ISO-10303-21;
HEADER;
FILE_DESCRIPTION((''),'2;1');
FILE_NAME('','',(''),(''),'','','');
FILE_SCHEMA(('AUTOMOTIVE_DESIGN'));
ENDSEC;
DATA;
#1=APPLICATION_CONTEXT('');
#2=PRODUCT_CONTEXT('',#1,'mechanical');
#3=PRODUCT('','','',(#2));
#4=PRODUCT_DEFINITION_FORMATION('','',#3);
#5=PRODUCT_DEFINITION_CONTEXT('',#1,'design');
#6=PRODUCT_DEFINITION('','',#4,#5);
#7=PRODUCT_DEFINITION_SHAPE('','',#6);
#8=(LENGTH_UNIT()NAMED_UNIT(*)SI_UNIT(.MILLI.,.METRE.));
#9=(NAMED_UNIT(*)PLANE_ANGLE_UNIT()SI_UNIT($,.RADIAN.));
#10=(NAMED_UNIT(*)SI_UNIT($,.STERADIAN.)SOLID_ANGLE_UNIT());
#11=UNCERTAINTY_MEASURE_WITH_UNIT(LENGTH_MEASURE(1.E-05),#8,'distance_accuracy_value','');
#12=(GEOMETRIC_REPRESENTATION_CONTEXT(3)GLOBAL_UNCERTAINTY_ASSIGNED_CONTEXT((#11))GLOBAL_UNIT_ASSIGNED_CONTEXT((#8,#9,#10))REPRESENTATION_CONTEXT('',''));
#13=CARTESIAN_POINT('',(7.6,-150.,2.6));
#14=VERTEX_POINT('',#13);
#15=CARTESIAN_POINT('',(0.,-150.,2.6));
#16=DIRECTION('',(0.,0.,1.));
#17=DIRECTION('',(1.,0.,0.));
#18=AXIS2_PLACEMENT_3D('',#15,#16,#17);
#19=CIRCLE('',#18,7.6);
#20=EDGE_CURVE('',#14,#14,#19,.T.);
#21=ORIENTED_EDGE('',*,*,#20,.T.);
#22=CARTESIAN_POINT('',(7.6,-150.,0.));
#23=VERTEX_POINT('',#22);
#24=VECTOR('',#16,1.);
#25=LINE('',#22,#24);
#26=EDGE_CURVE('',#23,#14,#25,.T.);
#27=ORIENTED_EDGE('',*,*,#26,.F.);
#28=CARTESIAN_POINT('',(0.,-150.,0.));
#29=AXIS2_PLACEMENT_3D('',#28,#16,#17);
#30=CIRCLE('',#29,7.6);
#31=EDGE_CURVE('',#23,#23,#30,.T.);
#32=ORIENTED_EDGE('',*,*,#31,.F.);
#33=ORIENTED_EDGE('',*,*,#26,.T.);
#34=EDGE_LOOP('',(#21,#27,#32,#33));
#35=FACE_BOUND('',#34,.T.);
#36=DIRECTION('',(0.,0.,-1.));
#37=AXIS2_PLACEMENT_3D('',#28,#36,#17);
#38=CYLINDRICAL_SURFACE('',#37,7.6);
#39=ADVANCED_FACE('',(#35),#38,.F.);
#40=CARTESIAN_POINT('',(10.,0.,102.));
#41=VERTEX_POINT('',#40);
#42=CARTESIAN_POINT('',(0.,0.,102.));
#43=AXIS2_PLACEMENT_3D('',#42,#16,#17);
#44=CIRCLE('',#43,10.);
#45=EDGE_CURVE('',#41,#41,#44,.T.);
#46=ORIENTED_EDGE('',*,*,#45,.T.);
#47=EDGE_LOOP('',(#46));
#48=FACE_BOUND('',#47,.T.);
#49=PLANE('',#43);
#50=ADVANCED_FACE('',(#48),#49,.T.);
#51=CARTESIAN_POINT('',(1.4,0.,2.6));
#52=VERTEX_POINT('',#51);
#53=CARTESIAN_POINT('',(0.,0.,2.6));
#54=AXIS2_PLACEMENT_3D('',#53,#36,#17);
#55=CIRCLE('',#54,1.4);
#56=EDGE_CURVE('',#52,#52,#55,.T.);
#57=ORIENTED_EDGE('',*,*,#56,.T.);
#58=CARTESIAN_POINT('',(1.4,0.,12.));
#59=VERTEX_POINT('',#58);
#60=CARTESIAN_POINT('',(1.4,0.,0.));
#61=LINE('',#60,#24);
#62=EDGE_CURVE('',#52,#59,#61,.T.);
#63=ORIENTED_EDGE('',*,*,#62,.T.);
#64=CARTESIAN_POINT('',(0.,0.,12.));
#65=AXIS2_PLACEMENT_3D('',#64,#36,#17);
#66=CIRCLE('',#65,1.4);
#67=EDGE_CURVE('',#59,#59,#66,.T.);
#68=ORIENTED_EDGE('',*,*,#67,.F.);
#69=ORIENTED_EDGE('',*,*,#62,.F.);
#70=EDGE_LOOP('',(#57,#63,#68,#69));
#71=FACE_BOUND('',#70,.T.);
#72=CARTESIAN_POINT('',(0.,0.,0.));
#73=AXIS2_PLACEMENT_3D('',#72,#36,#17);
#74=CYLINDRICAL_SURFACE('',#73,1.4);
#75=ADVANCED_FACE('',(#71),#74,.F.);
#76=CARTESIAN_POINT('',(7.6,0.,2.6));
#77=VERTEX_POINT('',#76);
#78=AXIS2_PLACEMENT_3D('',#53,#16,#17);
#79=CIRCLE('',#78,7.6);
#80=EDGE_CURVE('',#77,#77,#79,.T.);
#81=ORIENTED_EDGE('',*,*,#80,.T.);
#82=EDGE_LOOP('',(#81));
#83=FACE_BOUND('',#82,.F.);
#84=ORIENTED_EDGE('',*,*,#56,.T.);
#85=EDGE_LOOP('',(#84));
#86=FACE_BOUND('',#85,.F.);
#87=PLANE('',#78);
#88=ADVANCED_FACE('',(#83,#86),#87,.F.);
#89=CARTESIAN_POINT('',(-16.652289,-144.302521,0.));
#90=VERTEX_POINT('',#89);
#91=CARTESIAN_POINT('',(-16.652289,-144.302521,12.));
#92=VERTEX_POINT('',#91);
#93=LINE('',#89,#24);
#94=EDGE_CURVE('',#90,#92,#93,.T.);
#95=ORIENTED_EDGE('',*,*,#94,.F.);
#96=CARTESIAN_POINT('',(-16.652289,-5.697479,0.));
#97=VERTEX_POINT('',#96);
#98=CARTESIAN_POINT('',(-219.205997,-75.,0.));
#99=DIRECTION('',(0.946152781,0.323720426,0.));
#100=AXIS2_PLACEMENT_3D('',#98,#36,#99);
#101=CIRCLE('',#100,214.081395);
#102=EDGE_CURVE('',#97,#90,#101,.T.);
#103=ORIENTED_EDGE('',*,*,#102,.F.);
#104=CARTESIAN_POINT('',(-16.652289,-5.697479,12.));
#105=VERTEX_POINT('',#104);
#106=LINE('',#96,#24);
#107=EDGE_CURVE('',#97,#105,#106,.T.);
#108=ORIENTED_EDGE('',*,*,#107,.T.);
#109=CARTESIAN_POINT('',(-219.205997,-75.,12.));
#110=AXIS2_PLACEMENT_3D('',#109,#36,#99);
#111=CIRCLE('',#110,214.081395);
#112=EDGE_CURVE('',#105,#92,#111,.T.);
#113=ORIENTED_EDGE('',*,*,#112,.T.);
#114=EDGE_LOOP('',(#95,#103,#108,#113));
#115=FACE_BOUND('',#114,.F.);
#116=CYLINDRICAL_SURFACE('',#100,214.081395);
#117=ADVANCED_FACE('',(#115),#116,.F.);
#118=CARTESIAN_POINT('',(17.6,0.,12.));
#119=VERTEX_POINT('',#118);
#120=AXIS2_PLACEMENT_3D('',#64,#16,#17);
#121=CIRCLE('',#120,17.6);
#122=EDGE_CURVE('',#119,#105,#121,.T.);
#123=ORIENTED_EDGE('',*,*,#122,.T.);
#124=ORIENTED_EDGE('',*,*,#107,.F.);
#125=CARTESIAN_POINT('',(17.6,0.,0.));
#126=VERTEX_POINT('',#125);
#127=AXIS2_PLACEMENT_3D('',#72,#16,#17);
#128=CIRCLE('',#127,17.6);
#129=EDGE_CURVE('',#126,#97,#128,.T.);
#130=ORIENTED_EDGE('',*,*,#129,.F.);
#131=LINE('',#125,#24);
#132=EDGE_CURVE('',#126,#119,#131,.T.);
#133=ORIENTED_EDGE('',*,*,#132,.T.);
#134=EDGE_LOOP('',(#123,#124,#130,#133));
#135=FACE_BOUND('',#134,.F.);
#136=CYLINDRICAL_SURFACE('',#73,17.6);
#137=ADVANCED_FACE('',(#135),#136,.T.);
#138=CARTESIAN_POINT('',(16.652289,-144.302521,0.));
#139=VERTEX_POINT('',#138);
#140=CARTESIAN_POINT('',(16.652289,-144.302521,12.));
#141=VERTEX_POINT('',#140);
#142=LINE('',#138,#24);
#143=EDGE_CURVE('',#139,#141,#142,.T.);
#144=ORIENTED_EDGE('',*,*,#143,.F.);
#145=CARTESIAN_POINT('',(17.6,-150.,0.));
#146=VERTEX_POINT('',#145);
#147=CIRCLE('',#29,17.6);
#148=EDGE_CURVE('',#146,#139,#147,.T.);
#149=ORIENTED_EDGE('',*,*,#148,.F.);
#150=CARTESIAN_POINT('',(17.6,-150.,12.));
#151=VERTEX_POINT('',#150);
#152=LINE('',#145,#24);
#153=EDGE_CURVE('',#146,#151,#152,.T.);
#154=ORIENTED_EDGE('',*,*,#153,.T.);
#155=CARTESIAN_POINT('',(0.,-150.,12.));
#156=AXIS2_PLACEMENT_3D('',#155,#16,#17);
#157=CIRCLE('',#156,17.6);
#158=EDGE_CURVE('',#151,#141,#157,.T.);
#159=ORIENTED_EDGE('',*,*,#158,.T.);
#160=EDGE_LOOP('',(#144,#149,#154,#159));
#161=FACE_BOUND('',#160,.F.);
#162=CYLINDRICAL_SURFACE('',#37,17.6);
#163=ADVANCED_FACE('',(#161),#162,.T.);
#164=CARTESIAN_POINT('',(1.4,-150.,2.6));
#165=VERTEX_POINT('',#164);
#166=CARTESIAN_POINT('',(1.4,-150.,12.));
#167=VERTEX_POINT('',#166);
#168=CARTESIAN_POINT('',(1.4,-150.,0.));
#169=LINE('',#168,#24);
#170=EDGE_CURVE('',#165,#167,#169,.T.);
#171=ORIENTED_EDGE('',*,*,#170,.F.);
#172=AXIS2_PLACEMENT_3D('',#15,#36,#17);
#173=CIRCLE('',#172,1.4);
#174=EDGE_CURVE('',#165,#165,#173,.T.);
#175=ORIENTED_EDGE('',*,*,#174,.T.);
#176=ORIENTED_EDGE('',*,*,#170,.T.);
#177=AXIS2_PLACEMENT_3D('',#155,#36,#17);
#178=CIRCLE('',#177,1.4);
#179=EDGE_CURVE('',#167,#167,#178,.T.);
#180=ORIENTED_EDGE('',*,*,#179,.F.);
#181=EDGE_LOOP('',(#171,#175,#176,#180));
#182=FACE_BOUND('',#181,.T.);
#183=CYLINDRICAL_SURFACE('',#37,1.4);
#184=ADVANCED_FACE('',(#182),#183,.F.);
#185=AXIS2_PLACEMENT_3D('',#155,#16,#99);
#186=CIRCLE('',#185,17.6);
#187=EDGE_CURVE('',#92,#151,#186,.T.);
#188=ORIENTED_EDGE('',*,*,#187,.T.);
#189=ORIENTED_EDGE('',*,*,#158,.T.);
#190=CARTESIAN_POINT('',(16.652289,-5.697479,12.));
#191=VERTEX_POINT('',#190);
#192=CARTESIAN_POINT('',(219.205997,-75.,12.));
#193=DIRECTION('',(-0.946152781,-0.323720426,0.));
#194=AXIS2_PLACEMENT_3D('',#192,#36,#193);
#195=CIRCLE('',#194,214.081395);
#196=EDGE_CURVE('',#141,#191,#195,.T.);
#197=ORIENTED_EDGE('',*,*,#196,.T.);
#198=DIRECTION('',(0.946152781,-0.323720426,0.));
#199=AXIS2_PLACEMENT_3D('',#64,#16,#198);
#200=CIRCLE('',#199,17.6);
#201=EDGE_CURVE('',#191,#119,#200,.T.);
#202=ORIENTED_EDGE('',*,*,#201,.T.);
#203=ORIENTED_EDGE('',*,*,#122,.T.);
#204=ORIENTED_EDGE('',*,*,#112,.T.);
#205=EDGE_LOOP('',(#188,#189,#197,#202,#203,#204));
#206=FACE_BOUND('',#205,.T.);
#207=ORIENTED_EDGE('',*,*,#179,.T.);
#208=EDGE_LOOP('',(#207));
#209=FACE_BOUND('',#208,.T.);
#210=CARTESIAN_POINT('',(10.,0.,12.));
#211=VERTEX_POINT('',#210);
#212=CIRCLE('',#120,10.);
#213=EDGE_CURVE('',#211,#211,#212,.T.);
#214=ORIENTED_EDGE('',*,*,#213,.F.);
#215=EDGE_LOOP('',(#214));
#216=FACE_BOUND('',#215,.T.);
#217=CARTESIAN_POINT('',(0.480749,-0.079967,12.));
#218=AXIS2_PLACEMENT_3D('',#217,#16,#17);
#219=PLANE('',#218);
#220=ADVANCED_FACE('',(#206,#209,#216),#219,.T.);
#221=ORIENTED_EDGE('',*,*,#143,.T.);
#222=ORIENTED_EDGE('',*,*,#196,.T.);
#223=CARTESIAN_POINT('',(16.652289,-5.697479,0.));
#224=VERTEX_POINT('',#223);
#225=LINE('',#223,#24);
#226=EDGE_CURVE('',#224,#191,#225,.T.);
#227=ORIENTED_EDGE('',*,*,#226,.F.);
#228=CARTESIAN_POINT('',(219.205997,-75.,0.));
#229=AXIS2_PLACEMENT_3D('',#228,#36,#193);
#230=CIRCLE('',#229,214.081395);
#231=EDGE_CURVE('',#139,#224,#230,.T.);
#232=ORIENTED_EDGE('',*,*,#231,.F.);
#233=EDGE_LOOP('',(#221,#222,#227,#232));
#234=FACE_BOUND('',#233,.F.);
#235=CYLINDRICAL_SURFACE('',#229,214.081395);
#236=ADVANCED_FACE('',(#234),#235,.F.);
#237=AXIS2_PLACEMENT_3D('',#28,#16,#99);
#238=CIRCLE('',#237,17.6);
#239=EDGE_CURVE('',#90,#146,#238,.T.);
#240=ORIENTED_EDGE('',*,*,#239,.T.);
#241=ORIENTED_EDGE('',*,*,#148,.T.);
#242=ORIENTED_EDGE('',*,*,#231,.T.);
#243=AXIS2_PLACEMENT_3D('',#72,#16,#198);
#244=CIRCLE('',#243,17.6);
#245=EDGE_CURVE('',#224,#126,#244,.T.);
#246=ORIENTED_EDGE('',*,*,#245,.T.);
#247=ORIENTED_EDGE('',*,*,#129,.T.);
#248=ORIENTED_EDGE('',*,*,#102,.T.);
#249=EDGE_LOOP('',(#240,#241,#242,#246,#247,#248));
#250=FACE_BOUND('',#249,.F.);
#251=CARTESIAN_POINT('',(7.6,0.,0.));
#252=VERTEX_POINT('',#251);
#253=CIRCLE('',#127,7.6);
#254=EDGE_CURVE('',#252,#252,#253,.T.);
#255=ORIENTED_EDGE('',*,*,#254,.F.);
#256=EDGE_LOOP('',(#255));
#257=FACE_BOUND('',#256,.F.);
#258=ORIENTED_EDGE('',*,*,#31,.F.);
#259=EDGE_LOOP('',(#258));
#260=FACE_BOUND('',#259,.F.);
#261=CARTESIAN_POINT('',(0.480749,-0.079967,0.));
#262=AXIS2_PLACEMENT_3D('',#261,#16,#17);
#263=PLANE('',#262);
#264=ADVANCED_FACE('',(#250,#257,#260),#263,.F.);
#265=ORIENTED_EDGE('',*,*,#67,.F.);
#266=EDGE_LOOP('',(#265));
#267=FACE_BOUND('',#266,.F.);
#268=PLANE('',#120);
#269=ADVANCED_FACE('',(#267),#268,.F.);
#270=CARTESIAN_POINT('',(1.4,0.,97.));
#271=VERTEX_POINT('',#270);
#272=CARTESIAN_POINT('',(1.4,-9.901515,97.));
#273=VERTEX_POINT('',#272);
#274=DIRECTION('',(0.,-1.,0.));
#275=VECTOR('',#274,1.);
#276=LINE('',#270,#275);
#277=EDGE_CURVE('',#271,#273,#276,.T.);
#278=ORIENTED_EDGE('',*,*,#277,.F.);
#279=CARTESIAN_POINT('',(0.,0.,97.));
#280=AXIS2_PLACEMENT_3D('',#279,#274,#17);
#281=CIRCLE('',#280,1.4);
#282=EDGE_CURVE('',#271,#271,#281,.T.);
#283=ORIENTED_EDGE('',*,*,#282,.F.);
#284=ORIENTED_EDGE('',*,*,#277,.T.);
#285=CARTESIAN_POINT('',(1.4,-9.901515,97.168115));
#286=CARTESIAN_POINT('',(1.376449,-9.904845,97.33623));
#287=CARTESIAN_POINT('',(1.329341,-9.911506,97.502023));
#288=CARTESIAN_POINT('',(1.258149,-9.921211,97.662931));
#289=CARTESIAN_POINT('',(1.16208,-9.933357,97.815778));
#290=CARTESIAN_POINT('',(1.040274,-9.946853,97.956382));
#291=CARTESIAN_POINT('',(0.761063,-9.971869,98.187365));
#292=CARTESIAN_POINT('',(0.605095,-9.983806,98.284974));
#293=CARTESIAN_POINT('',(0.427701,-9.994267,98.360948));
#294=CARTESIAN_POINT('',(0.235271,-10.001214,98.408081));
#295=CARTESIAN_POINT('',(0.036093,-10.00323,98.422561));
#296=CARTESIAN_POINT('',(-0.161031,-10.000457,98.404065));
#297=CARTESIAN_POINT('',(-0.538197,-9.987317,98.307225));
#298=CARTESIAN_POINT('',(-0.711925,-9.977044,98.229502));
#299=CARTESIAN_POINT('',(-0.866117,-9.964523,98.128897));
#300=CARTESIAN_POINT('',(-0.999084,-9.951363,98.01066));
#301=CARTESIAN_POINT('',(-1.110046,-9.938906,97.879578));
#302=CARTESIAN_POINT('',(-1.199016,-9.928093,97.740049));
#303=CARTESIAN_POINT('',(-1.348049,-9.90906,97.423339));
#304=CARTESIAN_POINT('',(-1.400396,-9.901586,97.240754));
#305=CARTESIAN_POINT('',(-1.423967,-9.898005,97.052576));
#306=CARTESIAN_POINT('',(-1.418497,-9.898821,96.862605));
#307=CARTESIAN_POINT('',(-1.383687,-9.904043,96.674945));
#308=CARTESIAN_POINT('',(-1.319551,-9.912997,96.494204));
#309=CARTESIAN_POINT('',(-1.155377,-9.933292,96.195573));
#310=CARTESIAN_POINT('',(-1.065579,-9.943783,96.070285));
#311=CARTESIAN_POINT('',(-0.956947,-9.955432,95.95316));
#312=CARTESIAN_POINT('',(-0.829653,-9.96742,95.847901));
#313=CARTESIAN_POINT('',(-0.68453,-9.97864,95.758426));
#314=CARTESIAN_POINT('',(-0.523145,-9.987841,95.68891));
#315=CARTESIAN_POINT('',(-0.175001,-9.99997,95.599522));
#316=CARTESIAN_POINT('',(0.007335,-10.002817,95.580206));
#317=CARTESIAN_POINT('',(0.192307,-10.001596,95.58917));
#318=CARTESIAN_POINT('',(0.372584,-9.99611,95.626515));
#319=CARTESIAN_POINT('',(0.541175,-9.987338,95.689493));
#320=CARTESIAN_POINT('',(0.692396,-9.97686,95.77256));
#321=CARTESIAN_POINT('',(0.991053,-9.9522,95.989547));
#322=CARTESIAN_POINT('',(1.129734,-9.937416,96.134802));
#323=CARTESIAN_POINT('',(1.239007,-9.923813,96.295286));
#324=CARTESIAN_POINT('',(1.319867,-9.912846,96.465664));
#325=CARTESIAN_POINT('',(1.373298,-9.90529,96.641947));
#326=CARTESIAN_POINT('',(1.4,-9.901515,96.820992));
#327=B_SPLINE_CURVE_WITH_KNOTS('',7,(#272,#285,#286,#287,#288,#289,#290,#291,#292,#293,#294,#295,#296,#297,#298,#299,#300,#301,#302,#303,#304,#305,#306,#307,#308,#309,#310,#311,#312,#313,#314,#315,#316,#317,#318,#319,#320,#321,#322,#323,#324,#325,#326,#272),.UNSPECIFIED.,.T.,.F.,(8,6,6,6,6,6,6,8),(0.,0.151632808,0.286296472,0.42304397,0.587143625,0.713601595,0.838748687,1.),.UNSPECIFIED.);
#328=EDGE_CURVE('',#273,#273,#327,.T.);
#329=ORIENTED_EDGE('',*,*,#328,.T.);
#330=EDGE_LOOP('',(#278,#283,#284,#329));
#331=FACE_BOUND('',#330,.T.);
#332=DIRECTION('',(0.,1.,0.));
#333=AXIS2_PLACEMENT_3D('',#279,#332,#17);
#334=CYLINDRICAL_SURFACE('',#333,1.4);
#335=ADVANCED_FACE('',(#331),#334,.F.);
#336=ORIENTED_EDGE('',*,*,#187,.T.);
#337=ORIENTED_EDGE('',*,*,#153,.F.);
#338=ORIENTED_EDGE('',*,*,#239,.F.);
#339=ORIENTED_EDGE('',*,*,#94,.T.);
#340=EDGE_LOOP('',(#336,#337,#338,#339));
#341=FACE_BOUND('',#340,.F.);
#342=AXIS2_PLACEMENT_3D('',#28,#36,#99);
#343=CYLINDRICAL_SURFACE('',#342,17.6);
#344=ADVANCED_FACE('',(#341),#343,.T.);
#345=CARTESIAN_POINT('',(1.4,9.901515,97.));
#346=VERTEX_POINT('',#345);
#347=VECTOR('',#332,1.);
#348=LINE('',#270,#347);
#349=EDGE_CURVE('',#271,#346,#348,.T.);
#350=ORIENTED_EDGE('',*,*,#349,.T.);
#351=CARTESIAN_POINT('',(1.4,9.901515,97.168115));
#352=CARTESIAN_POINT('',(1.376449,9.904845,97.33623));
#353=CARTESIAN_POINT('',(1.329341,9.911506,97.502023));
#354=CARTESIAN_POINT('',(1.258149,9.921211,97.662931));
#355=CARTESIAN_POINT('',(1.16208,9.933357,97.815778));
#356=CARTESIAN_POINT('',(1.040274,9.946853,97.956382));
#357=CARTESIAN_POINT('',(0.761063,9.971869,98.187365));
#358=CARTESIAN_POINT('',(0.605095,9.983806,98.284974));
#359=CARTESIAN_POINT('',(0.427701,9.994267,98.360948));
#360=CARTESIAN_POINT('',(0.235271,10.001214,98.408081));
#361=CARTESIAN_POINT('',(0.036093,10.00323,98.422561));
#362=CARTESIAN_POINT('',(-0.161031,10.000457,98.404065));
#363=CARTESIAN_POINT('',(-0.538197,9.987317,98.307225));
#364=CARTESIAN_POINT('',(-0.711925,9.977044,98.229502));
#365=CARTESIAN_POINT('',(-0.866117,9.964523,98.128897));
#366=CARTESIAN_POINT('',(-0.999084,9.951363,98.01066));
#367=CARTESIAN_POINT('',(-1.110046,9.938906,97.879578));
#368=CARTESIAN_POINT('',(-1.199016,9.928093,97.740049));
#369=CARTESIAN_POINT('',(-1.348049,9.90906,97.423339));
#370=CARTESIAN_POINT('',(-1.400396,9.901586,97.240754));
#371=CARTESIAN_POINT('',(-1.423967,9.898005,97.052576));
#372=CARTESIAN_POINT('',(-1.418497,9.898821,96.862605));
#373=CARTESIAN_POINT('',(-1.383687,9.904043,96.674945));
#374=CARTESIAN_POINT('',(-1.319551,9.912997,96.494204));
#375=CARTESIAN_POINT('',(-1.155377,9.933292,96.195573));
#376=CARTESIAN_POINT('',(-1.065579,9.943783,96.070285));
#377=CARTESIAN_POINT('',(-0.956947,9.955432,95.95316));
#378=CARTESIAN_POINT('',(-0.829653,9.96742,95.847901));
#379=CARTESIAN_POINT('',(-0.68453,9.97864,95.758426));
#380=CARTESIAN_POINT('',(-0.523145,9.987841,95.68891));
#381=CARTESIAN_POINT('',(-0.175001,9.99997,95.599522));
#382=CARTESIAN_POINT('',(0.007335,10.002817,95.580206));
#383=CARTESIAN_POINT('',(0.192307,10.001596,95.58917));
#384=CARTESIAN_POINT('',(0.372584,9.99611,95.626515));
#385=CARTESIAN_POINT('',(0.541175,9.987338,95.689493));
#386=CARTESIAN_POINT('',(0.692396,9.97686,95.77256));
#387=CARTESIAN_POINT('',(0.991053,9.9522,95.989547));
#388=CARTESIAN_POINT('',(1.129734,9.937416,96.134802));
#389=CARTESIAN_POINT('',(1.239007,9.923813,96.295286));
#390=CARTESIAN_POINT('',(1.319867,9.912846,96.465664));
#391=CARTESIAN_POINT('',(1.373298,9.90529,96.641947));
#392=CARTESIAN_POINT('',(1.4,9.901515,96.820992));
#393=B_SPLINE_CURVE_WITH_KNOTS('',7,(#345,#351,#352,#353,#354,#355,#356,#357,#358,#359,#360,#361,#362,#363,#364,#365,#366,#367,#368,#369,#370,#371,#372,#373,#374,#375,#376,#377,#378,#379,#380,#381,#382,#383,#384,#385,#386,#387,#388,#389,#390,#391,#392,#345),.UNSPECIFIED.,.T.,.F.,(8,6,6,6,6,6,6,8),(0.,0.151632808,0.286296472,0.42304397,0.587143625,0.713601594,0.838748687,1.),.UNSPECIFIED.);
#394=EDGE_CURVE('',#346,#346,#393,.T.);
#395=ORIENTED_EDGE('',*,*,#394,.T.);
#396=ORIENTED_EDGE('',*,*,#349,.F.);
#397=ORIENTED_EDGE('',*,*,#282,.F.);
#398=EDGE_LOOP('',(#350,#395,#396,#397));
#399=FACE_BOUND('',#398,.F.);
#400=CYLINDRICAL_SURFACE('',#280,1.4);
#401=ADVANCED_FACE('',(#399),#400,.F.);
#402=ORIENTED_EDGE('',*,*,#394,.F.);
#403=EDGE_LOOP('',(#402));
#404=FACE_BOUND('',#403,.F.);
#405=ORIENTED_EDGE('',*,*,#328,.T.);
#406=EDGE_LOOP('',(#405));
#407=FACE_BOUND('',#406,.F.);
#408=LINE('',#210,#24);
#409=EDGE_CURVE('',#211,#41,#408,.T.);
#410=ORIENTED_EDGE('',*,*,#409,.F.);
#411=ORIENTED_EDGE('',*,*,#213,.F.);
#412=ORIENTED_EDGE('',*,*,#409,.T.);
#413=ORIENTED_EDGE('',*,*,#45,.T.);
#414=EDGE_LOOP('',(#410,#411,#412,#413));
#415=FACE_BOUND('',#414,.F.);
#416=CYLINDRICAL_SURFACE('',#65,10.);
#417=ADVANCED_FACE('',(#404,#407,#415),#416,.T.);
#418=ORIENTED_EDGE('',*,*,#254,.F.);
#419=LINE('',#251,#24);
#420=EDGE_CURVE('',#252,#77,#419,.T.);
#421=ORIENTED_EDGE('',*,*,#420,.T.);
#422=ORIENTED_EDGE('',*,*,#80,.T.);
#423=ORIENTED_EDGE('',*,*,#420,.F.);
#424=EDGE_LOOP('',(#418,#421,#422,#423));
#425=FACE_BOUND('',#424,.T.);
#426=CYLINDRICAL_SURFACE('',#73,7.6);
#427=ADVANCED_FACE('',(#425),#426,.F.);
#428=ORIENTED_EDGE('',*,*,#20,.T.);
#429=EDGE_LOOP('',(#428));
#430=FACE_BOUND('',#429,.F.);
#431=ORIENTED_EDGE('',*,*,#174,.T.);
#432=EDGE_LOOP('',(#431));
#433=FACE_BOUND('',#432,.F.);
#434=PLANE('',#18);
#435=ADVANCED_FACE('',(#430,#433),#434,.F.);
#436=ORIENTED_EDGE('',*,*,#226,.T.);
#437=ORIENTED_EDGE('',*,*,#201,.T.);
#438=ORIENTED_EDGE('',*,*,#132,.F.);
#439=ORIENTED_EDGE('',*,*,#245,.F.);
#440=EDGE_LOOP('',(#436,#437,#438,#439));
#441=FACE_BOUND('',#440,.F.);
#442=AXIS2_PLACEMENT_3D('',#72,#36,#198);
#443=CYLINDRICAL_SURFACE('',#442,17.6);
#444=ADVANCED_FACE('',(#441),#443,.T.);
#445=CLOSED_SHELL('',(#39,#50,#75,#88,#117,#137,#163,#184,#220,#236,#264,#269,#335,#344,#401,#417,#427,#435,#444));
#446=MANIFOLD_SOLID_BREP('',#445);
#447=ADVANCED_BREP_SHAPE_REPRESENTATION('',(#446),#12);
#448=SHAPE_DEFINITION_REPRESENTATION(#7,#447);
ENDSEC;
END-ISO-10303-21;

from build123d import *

# Parameters (mm, degrees)
F0_R          = 7.6
F1_DEPTH      = 12
F2_R          = 7.6
F3_DEPTH      = 2.6
F4_R          = 1.4
F5_DEPTH      = 12.001
F6_R          = 10
F7_DEPTH      = 90
F8_R          = 1.4
F9_DEPTH      = 17.601
F9_DEPTH_BACK = 167.601


with BuildPart() as f1:
    # F0 (on Top) → F1 (new body)
    with BuildSketch(Plane.XY):
        with BuildLine():
            ThreePointArc((16.6522889532, -5.697479497), (17.3614556644, -2.8878810938), (17.6, 0))
            ThreePointArc((17.6, 0), (-2.8878810938, 17.3614556644), (-16.6522889532, -5.697479497))
            ThreePointArc((-16.6522889532, -5.697479497), (0, -17.6), (16.6522889532, -5.697479497))
        make_face()
        Circle(F0_R, mode=Mode.SUBTRACT)
        with BuildLine():
            ThreePointArc((16.6522889532, -5.697479497), (0, -17.6), (-16.6522889532, -5.697479497))
            ThreePointArc((-16.6522889532, -5.697479497), (-5.1246012651, -75), (-16.6522889532, -144.302520503))
            ThreePointArc((-16.6522889532, -144.302520503), (0, -132.4), (16.6522889532, -144.302520503))
            ThreePointArc((16.6522889532, -144.302520503), (5.1246012651, -75), (16.6522889532, -5.697479497))
        make_face()
        with BuildLine():
            ThreePointArc((16.6522889532, -144.302520503), (0, -132.4), (-16.6522889532, -144.302520503))
            ThreePointArc((-16.6522889532, -144.302520503), (-2.8878810938, -167.3614556644), (17.6, -150))
            ThreePointArc((17.6, -150), (17.3614556644, -147.1121189062), (16.6522889532, -144.302520503))
        make_face()
        Circle(F0_R)
    extrude(amount=F1_DEPTH)

    # F2 (on Top) → F3 (cut)
    with BuildSketch(Plane.XY):
        Circle(F2_R)
        with Locations((0, -150)):
            Circle(F2_R)
    extrude(amount=F3_DEPTH, mode=Mode.SUBTRACT)

    # F4 (on Top) → F5 (cut, through all)
    with BuildSketch(Plane.XY):
        with Locations((0, -150)):
            Circle(F4_R)
        Circle(F4_R)
    extrude(amount=F5_DEPTH, mode=Mode.SUBTRACT)

    # F6 (on face) → F7 (join)
    with BuildSketch(Plane.XY.offset(12)):
        Circle(F6_R)
    extrude(amount=F7_DEPTH)

    # F8 (on Front) → F9 (cut, two sides)
    with BuildSketch(Plane.XZ) as f9_sk:
        with Locations((0, 97)):
            Circle(F8_R)
    extrude(amount=-F9_DEPTH, mode=Mode.SUBTRACT)
    extrude(f9_sk.sketch, amount=F9_DEPTH_BACK, mode=Mode.SUBTRACT)


solid = f1.part
